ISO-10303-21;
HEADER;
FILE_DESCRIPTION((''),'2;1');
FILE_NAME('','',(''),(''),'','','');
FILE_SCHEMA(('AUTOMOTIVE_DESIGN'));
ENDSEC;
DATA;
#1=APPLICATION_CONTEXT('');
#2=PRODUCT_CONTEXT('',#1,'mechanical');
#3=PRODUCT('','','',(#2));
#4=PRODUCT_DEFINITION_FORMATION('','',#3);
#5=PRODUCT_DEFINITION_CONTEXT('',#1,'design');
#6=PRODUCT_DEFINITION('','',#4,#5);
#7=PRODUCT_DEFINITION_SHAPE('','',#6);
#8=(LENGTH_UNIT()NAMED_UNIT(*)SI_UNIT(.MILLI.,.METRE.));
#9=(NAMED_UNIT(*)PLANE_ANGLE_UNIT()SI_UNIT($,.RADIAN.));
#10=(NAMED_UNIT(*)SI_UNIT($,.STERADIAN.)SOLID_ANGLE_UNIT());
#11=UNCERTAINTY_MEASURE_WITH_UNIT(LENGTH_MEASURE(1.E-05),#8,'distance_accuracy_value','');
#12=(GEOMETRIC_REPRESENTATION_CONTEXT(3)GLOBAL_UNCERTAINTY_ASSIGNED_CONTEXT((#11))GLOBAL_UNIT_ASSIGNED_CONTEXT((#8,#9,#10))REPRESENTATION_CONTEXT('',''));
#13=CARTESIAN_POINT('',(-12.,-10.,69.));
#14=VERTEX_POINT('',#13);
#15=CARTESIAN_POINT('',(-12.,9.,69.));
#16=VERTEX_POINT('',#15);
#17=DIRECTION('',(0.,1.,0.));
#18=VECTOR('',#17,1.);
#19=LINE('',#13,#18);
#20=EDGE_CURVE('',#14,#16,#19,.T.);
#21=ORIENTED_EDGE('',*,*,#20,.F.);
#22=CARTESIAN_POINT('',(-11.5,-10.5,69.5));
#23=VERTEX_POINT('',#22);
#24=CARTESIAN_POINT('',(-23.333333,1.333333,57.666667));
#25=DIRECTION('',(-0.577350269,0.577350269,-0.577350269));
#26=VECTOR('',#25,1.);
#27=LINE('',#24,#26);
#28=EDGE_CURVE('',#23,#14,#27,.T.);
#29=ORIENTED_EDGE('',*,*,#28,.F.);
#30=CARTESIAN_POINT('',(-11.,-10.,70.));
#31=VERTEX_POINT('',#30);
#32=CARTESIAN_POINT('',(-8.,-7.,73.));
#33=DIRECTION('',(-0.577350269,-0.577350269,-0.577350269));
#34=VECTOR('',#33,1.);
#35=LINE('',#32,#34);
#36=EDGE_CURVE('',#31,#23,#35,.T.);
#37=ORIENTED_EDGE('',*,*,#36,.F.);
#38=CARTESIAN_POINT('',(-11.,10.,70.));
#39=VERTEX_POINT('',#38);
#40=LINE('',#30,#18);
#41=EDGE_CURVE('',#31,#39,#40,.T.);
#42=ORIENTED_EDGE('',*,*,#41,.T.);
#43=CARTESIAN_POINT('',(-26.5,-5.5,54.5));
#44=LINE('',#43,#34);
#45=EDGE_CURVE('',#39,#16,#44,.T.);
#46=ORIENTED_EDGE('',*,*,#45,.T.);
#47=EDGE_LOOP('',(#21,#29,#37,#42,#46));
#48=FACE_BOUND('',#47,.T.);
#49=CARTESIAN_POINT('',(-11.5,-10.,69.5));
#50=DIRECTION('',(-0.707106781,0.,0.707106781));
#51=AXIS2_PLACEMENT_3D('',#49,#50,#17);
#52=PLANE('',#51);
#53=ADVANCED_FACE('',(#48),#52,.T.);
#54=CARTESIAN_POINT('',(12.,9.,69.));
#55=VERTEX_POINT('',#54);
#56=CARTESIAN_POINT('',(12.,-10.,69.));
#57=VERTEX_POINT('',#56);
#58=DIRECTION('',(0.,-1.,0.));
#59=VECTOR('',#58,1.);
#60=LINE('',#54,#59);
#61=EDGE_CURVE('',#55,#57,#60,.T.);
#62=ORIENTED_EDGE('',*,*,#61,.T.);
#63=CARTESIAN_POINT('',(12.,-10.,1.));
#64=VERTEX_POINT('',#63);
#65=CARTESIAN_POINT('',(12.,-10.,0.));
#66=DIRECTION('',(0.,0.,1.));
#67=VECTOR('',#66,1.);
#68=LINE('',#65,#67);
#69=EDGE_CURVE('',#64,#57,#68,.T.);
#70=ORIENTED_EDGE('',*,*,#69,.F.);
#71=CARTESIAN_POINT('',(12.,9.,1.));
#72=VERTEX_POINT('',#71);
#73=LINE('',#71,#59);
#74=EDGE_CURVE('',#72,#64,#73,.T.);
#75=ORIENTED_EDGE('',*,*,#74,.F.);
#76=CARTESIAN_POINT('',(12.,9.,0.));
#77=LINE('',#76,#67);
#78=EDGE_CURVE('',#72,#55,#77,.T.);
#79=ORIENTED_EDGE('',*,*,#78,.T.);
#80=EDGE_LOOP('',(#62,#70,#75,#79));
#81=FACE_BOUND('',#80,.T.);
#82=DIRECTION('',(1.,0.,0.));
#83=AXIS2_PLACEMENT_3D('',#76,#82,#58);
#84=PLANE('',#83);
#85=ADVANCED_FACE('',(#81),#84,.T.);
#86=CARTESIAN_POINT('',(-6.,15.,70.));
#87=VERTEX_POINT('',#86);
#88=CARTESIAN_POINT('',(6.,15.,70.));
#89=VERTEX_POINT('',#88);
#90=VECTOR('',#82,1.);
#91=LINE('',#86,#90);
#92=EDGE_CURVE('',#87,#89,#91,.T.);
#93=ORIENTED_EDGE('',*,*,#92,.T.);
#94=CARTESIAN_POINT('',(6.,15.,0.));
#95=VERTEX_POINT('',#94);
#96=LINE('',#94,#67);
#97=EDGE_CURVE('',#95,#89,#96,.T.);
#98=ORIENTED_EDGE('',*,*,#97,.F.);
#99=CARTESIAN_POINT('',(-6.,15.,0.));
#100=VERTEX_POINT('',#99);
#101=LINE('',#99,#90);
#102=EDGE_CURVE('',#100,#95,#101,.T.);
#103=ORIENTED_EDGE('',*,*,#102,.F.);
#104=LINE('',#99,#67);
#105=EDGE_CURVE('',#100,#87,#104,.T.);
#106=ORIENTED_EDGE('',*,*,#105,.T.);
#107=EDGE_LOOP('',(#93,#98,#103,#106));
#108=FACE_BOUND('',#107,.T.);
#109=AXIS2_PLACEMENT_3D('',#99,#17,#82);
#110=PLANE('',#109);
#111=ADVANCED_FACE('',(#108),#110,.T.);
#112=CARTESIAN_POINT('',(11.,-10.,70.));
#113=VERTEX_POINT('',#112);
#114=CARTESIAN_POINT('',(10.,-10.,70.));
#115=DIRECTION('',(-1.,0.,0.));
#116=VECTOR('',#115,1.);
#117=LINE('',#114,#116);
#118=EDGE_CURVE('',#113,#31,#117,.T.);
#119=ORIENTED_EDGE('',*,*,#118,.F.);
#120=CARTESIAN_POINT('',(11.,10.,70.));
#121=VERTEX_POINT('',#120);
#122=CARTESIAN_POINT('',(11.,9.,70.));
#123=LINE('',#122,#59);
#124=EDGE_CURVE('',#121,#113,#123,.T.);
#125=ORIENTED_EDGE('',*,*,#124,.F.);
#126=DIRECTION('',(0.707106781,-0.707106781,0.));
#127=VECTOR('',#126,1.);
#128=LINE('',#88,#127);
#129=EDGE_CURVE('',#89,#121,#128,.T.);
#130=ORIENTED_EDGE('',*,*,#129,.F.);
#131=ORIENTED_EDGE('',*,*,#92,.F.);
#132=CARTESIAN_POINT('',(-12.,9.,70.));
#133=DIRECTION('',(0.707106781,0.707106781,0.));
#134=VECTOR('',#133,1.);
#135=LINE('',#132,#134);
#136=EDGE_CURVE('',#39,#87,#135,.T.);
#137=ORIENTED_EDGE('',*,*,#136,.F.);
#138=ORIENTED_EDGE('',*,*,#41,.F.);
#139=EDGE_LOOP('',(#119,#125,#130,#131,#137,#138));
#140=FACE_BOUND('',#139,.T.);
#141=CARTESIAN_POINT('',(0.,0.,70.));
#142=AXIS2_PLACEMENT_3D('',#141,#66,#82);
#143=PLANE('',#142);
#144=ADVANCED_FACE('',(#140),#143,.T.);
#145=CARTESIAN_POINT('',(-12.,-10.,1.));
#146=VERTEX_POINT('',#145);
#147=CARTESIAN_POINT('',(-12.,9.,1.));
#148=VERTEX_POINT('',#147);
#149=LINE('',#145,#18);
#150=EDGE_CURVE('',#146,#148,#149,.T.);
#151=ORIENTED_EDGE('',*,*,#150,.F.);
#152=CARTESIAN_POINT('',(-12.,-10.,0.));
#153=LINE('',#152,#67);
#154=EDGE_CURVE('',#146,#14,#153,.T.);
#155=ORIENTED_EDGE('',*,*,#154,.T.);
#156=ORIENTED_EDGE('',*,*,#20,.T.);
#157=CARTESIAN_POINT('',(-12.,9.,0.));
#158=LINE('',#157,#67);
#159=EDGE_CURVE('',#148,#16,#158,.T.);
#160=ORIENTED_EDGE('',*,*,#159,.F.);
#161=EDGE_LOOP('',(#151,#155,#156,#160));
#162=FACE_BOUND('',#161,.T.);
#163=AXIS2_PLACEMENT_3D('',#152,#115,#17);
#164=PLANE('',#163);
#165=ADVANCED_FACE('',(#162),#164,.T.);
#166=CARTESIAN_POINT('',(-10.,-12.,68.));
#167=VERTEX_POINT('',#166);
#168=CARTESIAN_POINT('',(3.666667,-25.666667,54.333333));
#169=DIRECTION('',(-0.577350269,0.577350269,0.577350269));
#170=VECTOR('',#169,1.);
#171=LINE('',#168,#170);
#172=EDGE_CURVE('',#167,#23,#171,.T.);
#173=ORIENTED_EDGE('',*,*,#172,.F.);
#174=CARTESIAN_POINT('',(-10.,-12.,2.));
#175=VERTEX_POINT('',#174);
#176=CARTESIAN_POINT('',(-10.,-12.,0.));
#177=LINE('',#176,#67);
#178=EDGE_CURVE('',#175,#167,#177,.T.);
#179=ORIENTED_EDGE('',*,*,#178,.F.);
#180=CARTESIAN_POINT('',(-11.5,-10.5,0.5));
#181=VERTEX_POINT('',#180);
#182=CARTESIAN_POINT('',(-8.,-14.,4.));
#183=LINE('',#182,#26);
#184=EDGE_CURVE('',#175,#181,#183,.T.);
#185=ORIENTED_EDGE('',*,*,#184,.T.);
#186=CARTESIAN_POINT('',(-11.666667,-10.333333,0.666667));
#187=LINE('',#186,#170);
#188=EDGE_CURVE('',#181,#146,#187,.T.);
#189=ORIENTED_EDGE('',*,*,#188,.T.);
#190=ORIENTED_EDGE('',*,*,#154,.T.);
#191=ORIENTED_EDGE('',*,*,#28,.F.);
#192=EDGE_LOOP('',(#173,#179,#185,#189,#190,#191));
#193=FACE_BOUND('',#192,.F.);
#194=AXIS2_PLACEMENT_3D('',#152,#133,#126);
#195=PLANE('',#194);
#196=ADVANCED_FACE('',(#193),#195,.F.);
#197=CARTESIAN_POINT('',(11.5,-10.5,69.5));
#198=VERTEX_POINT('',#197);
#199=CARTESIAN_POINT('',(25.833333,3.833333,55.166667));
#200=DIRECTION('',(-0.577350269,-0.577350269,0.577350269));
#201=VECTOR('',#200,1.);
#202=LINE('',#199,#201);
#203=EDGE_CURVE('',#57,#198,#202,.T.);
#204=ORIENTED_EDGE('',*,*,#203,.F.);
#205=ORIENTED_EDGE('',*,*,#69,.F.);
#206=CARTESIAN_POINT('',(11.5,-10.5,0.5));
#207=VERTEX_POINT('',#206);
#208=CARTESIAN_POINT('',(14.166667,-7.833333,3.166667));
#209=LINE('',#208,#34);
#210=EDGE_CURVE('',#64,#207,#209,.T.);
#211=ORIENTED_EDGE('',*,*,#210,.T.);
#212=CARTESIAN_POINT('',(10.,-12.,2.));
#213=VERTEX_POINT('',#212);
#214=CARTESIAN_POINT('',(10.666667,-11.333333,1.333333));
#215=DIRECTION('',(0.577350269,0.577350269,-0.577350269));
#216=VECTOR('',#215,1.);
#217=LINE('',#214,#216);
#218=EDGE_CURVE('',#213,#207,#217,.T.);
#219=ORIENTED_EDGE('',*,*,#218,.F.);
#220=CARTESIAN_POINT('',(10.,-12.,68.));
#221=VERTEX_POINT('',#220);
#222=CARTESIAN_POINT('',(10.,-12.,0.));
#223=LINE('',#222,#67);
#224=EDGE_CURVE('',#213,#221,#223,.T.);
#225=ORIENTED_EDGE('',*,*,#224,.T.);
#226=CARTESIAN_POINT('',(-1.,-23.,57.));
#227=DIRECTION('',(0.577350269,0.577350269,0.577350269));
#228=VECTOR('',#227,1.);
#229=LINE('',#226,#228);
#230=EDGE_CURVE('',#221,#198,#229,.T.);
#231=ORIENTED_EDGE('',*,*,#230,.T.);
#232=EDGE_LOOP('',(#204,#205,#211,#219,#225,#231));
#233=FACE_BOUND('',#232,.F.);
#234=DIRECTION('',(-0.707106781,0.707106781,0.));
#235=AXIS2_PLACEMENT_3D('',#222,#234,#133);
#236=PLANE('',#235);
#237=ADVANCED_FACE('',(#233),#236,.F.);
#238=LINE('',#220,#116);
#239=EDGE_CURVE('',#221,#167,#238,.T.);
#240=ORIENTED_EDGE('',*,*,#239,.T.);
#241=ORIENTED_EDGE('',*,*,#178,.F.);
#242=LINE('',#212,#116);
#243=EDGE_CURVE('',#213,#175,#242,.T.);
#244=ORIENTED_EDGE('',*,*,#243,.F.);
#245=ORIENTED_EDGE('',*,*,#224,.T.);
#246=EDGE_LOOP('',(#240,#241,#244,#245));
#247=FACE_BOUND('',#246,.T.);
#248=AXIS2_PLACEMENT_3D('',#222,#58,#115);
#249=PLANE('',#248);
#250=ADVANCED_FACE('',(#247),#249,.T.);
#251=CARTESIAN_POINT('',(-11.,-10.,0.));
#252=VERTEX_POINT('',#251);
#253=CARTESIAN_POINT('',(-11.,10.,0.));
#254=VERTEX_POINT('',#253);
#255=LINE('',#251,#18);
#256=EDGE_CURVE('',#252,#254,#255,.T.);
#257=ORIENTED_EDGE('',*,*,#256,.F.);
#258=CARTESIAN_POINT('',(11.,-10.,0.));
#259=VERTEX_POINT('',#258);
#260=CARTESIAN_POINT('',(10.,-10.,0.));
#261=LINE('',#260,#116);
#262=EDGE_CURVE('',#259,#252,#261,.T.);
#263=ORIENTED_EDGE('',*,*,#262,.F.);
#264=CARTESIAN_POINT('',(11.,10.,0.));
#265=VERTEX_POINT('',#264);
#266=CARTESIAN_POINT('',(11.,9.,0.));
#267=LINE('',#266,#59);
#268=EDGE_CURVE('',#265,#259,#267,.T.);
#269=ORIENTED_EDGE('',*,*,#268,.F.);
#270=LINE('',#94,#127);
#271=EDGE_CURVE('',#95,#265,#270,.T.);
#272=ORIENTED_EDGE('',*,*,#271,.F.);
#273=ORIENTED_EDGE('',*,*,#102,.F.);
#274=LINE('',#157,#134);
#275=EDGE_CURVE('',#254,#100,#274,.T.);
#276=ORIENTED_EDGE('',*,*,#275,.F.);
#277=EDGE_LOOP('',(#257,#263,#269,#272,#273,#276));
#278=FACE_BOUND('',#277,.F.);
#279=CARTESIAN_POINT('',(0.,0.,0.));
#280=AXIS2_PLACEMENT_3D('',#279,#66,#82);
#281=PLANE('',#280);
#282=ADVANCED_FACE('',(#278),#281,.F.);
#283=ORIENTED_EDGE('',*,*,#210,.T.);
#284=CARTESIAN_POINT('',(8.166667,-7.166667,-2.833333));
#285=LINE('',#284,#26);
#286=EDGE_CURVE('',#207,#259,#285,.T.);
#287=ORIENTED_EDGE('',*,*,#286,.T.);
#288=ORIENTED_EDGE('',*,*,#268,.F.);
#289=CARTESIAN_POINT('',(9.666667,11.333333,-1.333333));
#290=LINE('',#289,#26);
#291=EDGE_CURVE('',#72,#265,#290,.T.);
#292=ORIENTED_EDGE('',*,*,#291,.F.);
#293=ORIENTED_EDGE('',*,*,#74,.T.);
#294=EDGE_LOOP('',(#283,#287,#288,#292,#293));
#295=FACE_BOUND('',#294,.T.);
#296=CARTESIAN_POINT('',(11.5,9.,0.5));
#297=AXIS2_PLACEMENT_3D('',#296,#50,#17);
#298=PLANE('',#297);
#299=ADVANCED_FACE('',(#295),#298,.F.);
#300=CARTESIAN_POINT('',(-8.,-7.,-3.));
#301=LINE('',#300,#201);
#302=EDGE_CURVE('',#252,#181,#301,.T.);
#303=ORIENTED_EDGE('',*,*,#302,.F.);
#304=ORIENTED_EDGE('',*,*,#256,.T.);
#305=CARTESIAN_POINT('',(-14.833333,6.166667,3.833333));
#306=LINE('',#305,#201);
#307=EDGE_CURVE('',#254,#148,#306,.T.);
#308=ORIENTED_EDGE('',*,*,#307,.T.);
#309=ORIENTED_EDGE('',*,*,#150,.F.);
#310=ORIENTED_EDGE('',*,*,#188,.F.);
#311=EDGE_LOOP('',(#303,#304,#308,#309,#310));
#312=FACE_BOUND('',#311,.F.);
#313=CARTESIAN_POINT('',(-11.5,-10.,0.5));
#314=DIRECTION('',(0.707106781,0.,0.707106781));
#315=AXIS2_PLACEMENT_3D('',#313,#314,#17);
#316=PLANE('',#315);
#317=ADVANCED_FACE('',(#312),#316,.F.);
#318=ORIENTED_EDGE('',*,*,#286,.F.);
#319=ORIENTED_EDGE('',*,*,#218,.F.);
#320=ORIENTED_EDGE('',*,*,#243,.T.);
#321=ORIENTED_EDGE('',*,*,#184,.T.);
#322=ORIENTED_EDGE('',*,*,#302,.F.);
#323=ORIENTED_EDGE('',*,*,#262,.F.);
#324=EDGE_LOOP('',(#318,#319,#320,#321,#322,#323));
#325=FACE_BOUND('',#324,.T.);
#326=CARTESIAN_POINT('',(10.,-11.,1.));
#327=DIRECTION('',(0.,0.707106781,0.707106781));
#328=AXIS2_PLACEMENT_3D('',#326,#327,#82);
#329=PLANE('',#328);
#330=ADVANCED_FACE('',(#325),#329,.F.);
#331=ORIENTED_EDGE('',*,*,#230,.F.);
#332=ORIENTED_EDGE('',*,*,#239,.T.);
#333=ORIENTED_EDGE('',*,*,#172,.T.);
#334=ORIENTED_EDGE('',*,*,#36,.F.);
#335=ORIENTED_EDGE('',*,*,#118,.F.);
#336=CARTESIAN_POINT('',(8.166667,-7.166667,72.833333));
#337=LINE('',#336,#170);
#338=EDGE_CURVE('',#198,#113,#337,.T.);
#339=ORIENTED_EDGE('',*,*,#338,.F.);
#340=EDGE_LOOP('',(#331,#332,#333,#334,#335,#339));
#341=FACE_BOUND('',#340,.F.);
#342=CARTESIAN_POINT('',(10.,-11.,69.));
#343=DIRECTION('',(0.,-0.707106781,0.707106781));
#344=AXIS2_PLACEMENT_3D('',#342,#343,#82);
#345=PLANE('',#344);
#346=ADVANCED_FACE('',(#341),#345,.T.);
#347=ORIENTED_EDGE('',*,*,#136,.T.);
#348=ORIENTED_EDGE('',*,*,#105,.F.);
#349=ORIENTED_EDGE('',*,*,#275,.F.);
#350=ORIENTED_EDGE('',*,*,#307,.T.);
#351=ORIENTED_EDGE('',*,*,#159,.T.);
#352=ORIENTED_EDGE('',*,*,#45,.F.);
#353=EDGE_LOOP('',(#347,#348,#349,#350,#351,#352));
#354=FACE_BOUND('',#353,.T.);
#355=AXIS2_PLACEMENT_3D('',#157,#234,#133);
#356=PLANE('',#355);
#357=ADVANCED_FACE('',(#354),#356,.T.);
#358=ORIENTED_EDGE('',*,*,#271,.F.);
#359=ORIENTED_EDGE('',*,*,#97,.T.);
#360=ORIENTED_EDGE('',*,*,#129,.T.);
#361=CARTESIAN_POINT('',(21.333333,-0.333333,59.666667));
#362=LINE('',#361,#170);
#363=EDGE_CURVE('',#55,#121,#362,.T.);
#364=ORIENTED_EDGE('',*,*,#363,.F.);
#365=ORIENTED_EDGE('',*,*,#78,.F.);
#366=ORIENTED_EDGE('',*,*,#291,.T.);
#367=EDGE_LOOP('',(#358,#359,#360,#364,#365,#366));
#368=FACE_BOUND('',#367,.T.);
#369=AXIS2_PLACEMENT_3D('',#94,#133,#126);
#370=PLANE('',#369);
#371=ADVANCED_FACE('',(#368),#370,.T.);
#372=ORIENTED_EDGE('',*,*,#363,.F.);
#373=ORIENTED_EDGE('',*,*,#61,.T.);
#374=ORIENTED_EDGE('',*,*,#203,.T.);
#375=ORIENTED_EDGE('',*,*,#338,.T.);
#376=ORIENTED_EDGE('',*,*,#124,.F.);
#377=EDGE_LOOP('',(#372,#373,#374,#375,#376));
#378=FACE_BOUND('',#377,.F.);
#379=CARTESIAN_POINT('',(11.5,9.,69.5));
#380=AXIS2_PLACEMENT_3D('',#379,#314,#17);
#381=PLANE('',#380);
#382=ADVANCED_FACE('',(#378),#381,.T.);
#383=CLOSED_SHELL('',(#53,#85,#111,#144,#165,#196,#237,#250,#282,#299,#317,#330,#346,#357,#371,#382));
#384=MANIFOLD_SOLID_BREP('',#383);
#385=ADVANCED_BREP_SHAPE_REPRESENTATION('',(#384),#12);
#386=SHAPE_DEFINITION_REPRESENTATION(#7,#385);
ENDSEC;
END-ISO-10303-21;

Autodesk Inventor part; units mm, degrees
ref_plane "YZ Plane" through (0, 0, 0) normal (1, 0, 0) x (0, 1, 0)
ref_plane "XZ Plane" through (0, 0, 0) normal (0, 1, 0) x (-1, 0, 0)
ref_plane "XY Plane" through (0, 0, 0) normal (0, 0, 1) x (1, 0, 0)
sketch "Sketch1" plane through (0, 0, 0) normal (0, 0, 1) x (1, 0, 0)
  line L0 (-6, 15) -> (6, 15)
  line L1 (12, 9) -> (12, -10)
  line L2 (10, -12) -> (-10, -12)
  line L3 (-12, -10) -> (-12, 9)
  line L4 (-12, 9) -> (-6, 15)
  line L5 (6, 15) -> (12, 9)
  line L6 (-12, -10) -> (-10, -12)
  line L7 (10, -12) -> (12, -10)
  point P0 (0, 0)
  point P1 (-12, 15)
  point P2 (12, -12)
  point P3 (12, 15)
  point P4 (-12, -12)
  dimension "d0" = 24
  dimension "d1" = 27
  dimension "d2" = 12
  dimension "d3" = 12
  dimension "d4" = 6
  dimension "d5" = 6
  dimension "d6" = 6
  dimension "d7" = 6
  dimension "d8" = 2
  dimension "d9" = 2
  dimension "d10" = 2
  dimension "d11" = 2
extrude "Extrusion1" add sketch "Sketch1" along normal blind 70
chamfer "Chamfer1" distance 2 angle 45 2 edges at (0, -12, 70) (0, -12, 0)
chamfer "Chamfer2" distance 1 angle 45 4 edges at (12, -0.5, 0) (-12, -0.5, 0) (-12, -0.5, 70) (12, -0.5, 70)
equation "\"d5\" = d4"
equation "\"d6\" = d4"
equation "\"d7\" = d6"
equation "\"d9\" = d8"
equation "\"d10\" = d8"
equation "\"d11\" = d10"
properties part number "battery_box"
